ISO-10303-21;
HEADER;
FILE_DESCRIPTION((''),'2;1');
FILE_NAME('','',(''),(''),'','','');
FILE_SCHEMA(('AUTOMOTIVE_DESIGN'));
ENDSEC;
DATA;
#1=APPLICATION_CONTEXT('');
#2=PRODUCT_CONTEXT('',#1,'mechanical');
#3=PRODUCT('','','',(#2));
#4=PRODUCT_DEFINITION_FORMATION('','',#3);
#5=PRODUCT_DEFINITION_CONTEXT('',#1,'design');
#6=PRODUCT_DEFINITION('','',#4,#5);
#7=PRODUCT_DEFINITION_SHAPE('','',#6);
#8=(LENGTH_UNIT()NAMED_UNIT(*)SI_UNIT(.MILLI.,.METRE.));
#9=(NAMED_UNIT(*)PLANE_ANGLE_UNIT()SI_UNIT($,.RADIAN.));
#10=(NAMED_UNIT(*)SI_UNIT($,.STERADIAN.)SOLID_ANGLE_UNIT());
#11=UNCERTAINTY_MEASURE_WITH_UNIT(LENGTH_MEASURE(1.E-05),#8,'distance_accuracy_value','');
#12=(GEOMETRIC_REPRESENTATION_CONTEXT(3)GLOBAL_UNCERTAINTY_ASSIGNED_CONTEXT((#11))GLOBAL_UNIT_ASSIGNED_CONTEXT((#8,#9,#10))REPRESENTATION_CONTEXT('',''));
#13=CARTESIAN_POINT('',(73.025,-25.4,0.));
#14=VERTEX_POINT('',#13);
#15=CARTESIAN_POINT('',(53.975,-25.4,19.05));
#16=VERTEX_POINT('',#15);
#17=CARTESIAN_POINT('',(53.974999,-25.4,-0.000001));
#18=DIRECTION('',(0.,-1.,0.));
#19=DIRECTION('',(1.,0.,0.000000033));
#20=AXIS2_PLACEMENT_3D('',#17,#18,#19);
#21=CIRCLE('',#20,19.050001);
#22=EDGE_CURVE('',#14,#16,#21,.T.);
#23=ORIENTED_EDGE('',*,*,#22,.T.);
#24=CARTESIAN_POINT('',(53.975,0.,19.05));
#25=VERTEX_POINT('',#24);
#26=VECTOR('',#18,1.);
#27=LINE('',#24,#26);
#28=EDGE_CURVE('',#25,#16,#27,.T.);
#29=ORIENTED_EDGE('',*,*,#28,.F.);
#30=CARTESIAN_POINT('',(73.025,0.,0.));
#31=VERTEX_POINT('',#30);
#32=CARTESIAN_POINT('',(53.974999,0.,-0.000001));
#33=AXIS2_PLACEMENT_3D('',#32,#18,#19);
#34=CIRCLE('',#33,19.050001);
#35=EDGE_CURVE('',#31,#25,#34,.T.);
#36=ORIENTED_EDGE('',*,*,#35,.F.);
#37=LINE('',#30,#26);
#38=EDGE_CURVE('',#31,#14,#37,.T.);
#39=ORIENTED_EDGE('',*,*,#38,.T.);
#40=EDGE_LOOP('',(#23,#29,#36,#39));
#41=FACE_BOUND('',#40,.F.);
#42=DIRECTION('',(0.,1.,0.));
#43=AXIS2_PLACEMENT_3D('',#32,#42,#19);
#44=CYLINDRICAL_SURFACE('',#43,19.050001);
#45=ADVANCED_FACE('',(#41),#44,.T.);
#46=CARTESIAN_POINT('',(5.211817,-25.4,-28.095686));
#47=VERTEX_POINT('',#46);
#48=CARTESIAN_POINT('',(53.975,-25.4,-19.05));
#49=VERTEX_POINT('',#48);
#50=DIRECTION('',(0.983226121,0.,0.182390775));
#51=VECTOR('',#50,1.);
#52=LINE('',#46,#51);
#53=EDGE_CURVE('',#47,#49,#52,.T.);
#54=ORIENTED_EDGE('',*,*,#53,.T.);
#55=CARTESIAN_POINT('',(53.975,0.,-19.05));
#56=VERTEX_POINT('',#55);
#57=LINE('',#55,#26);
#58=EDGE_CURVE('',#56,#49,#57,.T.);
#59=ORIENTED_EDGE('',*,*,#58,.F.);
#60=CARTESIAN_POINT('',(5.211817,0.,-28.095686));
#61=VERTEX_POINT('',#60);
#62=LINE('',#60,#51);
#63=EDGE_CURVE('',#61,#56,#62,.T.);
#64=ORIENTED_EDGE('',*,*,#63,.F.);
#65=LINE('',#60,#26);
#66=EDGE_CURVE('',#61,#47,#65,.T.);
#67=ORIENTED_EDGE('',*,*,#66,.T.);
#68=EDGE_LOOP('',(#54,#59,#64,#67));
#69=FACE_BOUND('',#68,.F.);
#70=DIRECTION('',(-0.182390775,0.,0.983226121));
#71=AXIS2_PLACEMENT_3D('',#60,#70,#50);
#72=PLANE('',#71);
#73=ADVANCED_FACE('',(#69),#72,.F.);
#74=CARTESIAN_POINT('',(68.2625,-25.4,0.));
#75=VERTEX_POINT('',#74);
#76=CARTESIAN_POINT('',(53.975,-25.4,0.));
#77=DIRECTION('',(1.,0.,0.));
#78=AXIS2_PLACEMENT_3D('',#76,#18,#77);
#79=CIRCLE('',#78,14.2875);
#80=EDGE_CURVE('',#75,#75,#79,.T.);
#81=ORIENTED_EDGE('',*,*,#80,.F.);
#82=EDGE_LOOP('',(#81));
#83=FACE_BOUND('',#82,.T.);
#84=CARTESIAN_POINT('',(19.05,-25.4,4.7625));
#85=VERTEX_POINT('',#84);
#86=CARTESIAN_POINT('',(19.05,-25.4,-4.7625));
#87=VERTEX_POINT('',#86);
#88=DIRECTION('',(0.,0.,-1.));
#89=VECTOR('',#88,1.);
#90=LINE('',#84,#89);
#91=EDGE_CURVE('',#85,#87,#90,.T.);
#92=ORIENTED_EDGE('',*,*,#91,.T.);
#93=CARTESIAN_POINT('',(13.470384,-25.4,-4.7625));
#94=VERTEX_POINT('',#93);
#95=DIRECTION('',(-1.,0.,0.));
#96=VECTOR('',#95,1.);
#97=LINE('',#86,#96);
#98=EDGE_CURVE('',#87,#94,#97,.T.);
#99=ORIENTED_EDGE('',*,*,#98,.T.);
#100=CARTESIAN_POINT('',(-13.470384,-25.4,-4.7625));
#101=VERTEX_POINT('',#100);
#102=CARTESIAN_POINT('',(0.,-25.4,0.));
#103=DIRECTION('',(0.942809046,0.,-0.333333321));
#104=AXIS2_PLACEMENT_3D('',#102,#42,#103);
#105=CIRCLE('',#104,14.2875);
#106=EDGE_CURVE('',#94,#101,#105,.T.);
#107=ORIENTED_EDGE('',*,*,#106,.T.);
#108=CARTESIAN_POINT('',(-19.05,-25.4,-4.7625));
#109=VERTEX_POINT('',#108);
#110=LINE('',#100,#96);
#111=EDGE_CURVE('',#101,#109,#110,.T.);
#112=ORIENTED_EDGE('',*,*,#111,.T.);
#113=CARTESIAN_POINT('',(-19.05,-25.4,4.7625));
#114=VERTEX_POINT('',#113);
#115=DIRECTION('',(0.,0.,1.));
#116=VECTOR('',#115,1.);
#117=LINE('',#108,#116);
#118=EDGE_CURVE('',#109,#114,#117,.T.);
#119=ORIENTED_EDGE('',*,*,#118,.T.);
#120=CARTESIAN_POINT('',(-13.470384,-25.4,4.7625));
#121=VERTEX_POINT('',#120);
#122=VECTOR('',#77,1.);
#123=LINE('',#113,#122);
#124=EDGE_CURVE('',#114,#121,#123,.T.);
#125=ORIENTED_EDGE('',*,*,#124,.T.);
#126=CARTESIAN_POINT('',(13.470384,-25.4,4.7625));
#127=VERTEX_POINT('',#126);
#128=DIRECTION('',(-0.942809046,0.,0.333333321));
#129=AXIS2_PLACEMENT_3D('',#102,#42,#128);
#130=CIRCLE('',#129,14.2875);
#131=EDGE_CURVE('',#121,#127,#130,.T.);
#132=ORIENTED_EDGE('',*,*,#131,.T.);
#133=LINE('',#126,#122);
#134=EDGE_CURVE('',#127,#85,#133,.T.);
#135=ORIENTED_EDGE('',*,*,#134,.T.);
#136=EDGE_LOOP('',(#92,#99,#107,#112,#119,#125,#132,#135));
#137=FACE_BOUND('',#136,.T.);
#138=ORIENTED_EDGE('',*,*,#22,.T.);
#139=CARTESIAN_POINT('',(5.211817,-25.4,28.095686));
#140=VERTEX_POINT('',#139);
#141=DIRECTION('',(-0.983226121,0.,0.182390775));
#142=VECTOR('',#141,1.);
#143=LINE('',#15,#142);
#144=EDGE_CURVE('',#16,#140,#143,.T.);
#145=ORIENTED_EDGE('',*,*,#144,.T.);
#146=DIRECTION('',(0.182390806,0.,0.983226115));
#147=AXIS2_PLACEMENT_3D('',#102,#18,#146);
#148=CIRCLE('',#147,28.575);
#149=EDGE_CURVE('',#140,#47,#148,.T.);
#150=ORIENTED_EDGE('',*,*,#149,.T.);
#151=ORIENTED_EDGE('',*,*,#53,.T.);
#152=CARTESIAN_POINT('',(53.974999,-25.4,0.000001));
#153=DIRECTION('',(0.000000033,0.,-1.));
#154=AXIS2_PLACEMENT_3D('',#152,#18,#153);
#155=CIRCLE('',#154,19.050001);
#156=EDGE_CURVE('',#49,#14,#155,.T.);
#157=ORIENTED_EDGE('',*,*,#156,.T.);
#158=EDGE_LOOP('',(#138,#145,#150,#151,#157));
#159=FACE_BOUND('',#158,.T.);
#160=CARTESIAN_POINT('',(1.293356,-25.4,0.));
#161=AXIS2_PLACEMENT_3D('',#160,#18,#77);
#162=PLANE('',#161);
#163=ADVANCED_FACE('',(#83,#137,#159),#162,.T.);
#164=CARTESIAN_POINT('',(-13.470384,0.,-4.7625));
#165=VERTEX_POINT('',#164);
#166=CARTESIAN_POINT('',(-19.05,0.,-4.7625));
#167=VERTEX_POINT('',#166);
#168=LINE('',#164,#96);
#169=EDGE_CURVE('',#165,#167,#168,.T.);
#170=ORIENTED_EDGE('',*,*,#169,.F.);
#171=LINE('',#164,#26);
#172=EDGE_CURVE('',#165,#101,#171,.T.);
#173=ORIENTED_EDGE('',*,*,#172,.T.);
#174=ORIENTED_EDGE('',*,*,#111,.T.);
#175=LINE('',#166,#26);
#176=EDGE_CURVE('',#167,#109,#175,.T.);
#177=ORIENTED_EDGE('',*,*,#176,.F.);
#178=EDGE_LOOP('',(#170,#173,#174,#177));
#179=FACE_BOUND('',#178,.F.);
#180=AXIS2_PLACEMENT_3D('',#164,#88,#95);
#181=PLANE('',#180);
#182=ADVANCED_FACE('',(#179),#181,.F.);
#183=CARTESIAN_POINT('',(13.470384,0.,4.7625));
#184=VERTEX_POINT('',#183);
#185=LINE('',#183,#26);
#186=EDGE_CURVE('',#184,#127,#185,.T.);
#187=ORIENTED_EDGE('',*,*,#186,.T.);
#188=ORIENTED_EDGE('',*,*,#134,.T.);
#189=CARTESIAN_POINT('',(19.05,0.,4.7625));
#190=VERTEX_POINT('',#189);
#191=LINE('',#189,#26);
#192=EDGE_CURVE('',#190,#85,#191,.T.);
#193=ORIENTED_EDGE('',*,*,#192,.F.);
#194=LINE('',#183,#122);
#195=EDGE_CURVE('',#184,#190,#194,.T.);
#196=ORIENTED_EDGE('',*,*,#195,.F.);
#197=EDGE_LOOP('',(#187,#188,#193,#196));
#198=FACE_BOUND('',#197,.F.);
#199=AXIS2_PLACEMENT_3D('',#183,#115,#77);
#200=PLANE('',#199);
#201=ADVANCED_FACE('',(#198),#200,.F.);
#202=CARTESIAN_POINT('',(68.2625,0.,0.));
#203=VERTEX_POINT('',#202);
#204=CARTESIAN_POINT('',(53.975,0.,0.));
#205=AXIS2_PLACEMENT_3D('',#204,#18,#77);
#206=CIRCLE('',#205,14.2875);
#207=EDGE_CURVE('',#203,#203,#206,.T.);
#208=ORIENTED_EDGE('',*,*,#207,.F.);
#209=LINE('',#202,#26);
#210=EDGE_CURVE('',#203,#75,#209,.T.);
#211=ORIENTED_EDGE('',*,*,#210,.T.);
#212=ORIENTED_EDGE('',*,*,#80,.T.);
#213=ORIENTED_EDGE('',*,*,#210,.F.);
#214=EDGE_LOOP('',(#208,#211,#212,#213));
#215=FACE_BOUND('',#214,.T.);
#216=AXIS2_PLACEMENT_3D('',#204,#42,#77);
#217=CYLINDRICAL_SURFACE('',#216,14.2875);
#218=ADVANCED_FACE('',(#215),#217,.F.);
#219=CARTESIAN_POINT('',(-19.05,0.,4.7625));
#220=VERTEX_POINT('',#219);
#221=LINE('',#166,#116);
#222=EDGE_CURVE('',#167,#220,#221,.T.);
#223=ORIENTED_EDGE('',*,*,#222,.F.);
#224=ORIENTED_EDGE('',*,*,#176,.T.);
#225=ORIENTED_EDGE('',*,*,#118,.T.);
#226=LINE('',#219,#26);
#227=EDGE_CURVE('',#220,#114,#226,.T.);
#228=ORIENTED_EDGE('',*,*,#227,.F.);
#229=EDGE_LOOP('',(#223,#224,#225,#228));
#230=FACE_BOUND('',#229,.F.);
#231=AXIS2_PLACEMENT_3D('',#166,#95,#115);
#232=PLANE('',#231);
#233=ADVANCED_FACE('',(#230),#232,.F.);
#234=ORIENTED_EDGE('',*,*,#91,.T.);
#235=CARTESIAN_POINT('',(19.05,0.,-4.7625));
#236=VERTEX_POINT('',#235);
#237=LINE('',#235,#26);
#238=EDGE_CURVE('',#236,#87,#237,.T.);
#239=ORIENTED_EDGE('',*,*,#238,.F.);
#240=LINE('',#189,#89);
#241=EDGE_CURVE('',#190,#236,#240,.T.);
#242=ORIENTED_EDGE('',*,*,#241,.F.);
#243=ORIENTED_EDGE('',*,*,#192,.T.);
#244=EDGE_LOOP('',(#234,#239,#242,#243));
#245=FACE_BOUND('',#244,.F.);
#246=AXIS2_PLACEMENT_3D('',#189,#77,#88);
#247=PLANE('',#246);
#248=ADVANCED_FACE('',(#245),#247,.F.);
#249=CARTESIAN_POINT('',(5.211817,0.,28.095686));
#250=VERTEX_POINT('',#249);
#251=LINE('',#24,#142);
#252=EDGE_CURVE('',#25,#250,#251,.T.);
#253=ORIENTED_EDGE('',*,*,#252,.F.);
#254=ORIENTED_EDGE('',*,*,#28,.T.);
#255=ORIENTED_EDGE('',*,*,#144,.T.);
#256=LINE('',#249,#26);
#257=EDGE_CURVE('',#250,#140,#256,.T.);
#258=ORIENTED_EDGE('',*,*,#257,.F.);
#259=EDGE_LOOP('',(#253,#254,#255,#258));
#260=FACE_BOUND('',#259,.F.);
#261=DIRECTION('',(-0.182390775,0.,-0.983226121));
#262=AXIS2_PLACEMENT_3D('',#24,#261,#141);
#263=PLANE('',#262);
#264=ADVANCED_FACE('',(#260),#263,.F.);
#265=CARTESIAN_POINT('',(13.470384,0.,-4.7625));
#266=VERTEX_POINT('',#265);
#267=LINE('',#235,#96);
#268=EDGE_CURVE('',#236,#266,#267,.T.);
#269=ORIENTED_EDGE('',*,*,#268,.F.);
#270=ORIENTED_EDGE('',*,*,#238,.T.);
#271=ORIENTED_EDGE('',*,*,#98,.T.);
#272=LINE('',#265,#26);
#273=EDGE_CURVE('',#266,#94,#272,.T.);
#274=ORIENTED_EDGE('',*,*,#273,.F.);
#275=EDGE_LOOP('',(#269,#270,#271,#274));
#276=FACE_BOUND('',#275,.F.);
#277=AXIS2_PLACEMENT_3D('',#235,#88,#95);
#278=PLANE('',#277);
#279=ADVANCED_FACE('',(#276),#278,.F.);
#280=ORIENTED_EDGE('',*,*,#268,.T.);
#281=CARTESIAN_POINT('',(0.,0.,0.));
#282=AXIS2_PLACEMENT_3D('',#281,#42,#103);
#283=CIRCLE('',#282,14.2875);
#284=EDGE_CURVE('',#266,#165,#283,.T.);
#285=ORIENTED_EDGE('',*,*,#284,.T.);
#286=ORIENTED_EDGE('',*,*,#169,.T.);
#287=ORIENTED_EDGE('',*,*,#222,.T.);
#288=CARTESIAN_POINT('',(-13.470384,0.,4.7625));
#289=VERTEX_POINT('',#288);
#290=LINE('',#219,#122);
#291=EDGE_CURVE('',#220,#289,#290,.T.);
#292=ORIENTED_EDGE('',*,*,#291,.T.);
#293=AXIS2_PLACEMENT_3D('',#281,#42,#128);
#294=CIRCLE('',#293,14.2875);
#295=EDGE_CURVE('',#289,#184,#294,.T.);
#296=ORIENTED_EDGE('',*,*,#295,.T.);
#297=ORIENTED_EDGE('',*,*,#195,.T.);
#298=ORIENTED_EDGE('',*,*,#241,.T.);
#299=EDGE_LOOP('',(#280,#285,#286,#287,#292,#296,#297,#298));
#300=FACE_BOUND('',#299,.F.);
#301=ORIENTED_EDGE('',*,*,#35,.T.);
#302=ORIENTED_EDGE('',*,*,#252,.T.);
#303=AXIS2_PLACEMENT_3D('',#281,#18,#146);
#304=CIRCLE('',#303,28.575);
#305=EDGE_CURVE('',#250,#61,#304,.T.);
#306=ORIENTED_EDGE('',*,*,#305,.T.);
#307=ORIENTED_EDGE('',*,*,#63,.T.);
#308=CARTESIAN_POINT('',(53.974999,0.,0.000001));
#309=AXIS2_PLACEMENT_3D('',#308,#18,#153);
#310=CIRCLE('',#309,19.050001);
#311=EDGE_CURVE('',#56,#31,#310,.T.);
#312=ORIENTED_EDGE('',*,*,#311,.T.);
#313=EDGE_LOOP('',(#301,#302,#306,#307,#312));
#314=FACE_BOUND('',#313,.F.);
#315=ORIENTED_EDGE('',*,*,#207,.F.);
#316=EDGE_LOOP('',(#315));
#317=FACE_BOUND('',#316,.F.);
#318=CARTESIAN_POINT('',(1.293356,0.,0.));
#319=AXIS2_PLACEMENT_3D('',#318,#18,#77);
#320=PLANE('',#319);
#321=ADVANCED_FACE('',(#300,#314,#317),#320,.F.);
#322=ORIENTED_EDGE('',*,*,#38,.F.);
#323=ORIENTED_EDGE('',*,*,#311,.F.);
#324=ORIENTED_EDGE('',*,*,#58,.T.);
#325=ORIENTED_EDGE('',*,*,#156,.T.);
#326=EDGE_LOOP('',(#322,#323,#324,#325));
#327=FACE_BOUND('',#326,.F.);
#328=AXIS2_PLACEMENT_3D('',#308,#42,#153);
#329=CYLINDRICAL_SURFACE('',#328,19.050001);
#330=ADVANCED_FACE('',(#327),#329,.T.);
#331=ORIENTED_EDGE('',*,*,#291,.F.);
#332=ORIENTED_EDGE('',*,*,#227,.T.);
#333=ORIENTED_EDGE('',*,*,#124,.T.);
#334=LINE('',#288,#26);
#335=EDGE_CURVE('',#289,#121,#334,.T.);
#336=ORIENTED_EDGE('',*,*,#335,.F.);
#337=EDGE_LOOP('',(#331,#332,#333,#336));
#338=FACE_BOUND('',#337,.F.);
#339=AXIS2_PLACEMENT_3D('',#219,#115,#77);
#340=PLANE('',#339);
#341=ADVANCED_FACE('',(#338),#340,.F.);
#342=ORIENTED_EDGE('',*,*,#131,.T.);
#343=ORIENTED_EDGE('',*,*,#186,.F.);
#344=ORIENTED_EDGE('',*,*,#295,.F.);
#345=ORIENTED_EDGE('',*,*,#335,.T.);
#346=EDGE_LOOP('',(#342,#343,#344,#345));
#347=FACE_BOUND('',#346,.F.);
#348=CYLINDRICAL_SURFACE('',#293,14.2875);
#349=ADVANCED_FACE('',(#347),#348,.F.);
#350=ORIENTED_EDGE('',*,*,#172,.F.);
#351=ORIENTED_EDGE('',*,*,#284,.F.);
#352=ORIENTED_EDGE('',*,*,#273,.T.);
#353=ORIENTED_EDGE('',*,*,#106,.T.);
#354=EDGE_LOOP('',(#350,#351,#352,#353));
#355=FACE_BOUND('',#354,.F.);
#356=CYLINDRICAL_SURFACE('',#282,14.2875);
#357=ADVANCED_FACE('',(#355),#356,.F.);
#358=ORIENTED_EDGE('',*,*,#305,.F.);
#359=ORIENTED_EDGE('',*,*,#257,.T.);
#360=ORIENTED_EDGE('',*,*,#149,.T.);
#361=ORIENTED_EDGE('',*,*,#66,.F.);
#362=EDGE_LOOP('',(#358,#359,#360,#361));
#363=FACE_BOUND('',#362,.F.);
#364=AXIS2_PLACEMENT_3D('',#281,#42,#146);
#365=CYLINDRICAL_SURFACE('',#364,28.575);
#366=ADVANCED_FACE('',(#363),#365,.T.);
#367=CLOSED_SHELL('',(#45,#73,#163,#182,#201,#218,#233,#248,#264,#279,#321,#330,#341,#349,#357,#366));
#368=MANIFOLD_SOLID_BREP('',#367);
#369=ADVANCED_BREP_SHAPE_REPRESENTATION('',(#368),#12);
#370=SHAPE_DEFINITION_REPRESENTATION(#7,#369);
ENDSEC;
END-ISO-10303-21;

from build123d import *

# Parameters (mm, degrees)
F0_R     = 14.2875
F1_DEPTH = 25.4


with BuildPart() as f1:
    # F0 (on Front) → F1 (new body)
    with BuildSketch(Plane.XZ):
        with BuildLine():
            ThreePointArc((5.211817, -28.095686), (21.971098, -18.270235), (28.575, 0))
            ThreePointArc((28.575, 0), (21.971098, 18.270235), (5.211817, 28.095686))
            ThreePointArc((5.211817, 28.095686), (-28.575, 0), (5.211817, -28.095686))
        make_face()
        with BuildLine():
            ThreePointArc((-13.470384, 4.7625), (0, 14.2875), (13.470384, 4.7625))
            Line((13.470384, 4.7625), (19.05, 4.7625))
            Line((19.05, 4.7625), (19.05, -4.7625))
            Line((19.05, -4.7625), (13.470384, -4.7625))
            ThreePointArc((13.470384, -4.7625), (0, -14.2875), (-13.470384, -4.7625))
            Line((-13.470384, -4.7625), (-19.05, -4.7625))
            Line((-19.05, -4.7625), (-19.05, 4.7625))
            Line((-19.05, 4.7625), (-13.470384, 4.7625))
        make_face(mode=Mode.SUBTRACT)
        with BuildLine():
            ThreePointArc((5.211817, 28.095686), (21.971098, 18.270235), (28.575, 0))
            ThreePointArc((28.575, 0), (21.971098, -18.270235), (5.211817, -28.095686))
            Line((5.211817, -28.095686), (53.975, -19.05))
            ThreePointArc((53.975, -19.05), (34.925, 0), (53.975, 19.05))
            Line((53.975, 19.05), (5.211817, 28.095686))
        make_face()
        with BuildLine():
            ThreePointArc((73.025, 0), (67.445384, 13.470384), (53.975, 19.05))
            ThreePointArc((53.975, 19.05), (34.925, 0), (53.975, -19.05))
            ThreePointArc((53.975, -19.05), (67.445384, -13.470384), (73.025, 0))
        make_face()
        with Locations((53.975, 0)):
            Circle(F0_R, mode=Mode.SUBTRACT)
    extrude(amount=F1_DEPTH)


solid = f1.part
